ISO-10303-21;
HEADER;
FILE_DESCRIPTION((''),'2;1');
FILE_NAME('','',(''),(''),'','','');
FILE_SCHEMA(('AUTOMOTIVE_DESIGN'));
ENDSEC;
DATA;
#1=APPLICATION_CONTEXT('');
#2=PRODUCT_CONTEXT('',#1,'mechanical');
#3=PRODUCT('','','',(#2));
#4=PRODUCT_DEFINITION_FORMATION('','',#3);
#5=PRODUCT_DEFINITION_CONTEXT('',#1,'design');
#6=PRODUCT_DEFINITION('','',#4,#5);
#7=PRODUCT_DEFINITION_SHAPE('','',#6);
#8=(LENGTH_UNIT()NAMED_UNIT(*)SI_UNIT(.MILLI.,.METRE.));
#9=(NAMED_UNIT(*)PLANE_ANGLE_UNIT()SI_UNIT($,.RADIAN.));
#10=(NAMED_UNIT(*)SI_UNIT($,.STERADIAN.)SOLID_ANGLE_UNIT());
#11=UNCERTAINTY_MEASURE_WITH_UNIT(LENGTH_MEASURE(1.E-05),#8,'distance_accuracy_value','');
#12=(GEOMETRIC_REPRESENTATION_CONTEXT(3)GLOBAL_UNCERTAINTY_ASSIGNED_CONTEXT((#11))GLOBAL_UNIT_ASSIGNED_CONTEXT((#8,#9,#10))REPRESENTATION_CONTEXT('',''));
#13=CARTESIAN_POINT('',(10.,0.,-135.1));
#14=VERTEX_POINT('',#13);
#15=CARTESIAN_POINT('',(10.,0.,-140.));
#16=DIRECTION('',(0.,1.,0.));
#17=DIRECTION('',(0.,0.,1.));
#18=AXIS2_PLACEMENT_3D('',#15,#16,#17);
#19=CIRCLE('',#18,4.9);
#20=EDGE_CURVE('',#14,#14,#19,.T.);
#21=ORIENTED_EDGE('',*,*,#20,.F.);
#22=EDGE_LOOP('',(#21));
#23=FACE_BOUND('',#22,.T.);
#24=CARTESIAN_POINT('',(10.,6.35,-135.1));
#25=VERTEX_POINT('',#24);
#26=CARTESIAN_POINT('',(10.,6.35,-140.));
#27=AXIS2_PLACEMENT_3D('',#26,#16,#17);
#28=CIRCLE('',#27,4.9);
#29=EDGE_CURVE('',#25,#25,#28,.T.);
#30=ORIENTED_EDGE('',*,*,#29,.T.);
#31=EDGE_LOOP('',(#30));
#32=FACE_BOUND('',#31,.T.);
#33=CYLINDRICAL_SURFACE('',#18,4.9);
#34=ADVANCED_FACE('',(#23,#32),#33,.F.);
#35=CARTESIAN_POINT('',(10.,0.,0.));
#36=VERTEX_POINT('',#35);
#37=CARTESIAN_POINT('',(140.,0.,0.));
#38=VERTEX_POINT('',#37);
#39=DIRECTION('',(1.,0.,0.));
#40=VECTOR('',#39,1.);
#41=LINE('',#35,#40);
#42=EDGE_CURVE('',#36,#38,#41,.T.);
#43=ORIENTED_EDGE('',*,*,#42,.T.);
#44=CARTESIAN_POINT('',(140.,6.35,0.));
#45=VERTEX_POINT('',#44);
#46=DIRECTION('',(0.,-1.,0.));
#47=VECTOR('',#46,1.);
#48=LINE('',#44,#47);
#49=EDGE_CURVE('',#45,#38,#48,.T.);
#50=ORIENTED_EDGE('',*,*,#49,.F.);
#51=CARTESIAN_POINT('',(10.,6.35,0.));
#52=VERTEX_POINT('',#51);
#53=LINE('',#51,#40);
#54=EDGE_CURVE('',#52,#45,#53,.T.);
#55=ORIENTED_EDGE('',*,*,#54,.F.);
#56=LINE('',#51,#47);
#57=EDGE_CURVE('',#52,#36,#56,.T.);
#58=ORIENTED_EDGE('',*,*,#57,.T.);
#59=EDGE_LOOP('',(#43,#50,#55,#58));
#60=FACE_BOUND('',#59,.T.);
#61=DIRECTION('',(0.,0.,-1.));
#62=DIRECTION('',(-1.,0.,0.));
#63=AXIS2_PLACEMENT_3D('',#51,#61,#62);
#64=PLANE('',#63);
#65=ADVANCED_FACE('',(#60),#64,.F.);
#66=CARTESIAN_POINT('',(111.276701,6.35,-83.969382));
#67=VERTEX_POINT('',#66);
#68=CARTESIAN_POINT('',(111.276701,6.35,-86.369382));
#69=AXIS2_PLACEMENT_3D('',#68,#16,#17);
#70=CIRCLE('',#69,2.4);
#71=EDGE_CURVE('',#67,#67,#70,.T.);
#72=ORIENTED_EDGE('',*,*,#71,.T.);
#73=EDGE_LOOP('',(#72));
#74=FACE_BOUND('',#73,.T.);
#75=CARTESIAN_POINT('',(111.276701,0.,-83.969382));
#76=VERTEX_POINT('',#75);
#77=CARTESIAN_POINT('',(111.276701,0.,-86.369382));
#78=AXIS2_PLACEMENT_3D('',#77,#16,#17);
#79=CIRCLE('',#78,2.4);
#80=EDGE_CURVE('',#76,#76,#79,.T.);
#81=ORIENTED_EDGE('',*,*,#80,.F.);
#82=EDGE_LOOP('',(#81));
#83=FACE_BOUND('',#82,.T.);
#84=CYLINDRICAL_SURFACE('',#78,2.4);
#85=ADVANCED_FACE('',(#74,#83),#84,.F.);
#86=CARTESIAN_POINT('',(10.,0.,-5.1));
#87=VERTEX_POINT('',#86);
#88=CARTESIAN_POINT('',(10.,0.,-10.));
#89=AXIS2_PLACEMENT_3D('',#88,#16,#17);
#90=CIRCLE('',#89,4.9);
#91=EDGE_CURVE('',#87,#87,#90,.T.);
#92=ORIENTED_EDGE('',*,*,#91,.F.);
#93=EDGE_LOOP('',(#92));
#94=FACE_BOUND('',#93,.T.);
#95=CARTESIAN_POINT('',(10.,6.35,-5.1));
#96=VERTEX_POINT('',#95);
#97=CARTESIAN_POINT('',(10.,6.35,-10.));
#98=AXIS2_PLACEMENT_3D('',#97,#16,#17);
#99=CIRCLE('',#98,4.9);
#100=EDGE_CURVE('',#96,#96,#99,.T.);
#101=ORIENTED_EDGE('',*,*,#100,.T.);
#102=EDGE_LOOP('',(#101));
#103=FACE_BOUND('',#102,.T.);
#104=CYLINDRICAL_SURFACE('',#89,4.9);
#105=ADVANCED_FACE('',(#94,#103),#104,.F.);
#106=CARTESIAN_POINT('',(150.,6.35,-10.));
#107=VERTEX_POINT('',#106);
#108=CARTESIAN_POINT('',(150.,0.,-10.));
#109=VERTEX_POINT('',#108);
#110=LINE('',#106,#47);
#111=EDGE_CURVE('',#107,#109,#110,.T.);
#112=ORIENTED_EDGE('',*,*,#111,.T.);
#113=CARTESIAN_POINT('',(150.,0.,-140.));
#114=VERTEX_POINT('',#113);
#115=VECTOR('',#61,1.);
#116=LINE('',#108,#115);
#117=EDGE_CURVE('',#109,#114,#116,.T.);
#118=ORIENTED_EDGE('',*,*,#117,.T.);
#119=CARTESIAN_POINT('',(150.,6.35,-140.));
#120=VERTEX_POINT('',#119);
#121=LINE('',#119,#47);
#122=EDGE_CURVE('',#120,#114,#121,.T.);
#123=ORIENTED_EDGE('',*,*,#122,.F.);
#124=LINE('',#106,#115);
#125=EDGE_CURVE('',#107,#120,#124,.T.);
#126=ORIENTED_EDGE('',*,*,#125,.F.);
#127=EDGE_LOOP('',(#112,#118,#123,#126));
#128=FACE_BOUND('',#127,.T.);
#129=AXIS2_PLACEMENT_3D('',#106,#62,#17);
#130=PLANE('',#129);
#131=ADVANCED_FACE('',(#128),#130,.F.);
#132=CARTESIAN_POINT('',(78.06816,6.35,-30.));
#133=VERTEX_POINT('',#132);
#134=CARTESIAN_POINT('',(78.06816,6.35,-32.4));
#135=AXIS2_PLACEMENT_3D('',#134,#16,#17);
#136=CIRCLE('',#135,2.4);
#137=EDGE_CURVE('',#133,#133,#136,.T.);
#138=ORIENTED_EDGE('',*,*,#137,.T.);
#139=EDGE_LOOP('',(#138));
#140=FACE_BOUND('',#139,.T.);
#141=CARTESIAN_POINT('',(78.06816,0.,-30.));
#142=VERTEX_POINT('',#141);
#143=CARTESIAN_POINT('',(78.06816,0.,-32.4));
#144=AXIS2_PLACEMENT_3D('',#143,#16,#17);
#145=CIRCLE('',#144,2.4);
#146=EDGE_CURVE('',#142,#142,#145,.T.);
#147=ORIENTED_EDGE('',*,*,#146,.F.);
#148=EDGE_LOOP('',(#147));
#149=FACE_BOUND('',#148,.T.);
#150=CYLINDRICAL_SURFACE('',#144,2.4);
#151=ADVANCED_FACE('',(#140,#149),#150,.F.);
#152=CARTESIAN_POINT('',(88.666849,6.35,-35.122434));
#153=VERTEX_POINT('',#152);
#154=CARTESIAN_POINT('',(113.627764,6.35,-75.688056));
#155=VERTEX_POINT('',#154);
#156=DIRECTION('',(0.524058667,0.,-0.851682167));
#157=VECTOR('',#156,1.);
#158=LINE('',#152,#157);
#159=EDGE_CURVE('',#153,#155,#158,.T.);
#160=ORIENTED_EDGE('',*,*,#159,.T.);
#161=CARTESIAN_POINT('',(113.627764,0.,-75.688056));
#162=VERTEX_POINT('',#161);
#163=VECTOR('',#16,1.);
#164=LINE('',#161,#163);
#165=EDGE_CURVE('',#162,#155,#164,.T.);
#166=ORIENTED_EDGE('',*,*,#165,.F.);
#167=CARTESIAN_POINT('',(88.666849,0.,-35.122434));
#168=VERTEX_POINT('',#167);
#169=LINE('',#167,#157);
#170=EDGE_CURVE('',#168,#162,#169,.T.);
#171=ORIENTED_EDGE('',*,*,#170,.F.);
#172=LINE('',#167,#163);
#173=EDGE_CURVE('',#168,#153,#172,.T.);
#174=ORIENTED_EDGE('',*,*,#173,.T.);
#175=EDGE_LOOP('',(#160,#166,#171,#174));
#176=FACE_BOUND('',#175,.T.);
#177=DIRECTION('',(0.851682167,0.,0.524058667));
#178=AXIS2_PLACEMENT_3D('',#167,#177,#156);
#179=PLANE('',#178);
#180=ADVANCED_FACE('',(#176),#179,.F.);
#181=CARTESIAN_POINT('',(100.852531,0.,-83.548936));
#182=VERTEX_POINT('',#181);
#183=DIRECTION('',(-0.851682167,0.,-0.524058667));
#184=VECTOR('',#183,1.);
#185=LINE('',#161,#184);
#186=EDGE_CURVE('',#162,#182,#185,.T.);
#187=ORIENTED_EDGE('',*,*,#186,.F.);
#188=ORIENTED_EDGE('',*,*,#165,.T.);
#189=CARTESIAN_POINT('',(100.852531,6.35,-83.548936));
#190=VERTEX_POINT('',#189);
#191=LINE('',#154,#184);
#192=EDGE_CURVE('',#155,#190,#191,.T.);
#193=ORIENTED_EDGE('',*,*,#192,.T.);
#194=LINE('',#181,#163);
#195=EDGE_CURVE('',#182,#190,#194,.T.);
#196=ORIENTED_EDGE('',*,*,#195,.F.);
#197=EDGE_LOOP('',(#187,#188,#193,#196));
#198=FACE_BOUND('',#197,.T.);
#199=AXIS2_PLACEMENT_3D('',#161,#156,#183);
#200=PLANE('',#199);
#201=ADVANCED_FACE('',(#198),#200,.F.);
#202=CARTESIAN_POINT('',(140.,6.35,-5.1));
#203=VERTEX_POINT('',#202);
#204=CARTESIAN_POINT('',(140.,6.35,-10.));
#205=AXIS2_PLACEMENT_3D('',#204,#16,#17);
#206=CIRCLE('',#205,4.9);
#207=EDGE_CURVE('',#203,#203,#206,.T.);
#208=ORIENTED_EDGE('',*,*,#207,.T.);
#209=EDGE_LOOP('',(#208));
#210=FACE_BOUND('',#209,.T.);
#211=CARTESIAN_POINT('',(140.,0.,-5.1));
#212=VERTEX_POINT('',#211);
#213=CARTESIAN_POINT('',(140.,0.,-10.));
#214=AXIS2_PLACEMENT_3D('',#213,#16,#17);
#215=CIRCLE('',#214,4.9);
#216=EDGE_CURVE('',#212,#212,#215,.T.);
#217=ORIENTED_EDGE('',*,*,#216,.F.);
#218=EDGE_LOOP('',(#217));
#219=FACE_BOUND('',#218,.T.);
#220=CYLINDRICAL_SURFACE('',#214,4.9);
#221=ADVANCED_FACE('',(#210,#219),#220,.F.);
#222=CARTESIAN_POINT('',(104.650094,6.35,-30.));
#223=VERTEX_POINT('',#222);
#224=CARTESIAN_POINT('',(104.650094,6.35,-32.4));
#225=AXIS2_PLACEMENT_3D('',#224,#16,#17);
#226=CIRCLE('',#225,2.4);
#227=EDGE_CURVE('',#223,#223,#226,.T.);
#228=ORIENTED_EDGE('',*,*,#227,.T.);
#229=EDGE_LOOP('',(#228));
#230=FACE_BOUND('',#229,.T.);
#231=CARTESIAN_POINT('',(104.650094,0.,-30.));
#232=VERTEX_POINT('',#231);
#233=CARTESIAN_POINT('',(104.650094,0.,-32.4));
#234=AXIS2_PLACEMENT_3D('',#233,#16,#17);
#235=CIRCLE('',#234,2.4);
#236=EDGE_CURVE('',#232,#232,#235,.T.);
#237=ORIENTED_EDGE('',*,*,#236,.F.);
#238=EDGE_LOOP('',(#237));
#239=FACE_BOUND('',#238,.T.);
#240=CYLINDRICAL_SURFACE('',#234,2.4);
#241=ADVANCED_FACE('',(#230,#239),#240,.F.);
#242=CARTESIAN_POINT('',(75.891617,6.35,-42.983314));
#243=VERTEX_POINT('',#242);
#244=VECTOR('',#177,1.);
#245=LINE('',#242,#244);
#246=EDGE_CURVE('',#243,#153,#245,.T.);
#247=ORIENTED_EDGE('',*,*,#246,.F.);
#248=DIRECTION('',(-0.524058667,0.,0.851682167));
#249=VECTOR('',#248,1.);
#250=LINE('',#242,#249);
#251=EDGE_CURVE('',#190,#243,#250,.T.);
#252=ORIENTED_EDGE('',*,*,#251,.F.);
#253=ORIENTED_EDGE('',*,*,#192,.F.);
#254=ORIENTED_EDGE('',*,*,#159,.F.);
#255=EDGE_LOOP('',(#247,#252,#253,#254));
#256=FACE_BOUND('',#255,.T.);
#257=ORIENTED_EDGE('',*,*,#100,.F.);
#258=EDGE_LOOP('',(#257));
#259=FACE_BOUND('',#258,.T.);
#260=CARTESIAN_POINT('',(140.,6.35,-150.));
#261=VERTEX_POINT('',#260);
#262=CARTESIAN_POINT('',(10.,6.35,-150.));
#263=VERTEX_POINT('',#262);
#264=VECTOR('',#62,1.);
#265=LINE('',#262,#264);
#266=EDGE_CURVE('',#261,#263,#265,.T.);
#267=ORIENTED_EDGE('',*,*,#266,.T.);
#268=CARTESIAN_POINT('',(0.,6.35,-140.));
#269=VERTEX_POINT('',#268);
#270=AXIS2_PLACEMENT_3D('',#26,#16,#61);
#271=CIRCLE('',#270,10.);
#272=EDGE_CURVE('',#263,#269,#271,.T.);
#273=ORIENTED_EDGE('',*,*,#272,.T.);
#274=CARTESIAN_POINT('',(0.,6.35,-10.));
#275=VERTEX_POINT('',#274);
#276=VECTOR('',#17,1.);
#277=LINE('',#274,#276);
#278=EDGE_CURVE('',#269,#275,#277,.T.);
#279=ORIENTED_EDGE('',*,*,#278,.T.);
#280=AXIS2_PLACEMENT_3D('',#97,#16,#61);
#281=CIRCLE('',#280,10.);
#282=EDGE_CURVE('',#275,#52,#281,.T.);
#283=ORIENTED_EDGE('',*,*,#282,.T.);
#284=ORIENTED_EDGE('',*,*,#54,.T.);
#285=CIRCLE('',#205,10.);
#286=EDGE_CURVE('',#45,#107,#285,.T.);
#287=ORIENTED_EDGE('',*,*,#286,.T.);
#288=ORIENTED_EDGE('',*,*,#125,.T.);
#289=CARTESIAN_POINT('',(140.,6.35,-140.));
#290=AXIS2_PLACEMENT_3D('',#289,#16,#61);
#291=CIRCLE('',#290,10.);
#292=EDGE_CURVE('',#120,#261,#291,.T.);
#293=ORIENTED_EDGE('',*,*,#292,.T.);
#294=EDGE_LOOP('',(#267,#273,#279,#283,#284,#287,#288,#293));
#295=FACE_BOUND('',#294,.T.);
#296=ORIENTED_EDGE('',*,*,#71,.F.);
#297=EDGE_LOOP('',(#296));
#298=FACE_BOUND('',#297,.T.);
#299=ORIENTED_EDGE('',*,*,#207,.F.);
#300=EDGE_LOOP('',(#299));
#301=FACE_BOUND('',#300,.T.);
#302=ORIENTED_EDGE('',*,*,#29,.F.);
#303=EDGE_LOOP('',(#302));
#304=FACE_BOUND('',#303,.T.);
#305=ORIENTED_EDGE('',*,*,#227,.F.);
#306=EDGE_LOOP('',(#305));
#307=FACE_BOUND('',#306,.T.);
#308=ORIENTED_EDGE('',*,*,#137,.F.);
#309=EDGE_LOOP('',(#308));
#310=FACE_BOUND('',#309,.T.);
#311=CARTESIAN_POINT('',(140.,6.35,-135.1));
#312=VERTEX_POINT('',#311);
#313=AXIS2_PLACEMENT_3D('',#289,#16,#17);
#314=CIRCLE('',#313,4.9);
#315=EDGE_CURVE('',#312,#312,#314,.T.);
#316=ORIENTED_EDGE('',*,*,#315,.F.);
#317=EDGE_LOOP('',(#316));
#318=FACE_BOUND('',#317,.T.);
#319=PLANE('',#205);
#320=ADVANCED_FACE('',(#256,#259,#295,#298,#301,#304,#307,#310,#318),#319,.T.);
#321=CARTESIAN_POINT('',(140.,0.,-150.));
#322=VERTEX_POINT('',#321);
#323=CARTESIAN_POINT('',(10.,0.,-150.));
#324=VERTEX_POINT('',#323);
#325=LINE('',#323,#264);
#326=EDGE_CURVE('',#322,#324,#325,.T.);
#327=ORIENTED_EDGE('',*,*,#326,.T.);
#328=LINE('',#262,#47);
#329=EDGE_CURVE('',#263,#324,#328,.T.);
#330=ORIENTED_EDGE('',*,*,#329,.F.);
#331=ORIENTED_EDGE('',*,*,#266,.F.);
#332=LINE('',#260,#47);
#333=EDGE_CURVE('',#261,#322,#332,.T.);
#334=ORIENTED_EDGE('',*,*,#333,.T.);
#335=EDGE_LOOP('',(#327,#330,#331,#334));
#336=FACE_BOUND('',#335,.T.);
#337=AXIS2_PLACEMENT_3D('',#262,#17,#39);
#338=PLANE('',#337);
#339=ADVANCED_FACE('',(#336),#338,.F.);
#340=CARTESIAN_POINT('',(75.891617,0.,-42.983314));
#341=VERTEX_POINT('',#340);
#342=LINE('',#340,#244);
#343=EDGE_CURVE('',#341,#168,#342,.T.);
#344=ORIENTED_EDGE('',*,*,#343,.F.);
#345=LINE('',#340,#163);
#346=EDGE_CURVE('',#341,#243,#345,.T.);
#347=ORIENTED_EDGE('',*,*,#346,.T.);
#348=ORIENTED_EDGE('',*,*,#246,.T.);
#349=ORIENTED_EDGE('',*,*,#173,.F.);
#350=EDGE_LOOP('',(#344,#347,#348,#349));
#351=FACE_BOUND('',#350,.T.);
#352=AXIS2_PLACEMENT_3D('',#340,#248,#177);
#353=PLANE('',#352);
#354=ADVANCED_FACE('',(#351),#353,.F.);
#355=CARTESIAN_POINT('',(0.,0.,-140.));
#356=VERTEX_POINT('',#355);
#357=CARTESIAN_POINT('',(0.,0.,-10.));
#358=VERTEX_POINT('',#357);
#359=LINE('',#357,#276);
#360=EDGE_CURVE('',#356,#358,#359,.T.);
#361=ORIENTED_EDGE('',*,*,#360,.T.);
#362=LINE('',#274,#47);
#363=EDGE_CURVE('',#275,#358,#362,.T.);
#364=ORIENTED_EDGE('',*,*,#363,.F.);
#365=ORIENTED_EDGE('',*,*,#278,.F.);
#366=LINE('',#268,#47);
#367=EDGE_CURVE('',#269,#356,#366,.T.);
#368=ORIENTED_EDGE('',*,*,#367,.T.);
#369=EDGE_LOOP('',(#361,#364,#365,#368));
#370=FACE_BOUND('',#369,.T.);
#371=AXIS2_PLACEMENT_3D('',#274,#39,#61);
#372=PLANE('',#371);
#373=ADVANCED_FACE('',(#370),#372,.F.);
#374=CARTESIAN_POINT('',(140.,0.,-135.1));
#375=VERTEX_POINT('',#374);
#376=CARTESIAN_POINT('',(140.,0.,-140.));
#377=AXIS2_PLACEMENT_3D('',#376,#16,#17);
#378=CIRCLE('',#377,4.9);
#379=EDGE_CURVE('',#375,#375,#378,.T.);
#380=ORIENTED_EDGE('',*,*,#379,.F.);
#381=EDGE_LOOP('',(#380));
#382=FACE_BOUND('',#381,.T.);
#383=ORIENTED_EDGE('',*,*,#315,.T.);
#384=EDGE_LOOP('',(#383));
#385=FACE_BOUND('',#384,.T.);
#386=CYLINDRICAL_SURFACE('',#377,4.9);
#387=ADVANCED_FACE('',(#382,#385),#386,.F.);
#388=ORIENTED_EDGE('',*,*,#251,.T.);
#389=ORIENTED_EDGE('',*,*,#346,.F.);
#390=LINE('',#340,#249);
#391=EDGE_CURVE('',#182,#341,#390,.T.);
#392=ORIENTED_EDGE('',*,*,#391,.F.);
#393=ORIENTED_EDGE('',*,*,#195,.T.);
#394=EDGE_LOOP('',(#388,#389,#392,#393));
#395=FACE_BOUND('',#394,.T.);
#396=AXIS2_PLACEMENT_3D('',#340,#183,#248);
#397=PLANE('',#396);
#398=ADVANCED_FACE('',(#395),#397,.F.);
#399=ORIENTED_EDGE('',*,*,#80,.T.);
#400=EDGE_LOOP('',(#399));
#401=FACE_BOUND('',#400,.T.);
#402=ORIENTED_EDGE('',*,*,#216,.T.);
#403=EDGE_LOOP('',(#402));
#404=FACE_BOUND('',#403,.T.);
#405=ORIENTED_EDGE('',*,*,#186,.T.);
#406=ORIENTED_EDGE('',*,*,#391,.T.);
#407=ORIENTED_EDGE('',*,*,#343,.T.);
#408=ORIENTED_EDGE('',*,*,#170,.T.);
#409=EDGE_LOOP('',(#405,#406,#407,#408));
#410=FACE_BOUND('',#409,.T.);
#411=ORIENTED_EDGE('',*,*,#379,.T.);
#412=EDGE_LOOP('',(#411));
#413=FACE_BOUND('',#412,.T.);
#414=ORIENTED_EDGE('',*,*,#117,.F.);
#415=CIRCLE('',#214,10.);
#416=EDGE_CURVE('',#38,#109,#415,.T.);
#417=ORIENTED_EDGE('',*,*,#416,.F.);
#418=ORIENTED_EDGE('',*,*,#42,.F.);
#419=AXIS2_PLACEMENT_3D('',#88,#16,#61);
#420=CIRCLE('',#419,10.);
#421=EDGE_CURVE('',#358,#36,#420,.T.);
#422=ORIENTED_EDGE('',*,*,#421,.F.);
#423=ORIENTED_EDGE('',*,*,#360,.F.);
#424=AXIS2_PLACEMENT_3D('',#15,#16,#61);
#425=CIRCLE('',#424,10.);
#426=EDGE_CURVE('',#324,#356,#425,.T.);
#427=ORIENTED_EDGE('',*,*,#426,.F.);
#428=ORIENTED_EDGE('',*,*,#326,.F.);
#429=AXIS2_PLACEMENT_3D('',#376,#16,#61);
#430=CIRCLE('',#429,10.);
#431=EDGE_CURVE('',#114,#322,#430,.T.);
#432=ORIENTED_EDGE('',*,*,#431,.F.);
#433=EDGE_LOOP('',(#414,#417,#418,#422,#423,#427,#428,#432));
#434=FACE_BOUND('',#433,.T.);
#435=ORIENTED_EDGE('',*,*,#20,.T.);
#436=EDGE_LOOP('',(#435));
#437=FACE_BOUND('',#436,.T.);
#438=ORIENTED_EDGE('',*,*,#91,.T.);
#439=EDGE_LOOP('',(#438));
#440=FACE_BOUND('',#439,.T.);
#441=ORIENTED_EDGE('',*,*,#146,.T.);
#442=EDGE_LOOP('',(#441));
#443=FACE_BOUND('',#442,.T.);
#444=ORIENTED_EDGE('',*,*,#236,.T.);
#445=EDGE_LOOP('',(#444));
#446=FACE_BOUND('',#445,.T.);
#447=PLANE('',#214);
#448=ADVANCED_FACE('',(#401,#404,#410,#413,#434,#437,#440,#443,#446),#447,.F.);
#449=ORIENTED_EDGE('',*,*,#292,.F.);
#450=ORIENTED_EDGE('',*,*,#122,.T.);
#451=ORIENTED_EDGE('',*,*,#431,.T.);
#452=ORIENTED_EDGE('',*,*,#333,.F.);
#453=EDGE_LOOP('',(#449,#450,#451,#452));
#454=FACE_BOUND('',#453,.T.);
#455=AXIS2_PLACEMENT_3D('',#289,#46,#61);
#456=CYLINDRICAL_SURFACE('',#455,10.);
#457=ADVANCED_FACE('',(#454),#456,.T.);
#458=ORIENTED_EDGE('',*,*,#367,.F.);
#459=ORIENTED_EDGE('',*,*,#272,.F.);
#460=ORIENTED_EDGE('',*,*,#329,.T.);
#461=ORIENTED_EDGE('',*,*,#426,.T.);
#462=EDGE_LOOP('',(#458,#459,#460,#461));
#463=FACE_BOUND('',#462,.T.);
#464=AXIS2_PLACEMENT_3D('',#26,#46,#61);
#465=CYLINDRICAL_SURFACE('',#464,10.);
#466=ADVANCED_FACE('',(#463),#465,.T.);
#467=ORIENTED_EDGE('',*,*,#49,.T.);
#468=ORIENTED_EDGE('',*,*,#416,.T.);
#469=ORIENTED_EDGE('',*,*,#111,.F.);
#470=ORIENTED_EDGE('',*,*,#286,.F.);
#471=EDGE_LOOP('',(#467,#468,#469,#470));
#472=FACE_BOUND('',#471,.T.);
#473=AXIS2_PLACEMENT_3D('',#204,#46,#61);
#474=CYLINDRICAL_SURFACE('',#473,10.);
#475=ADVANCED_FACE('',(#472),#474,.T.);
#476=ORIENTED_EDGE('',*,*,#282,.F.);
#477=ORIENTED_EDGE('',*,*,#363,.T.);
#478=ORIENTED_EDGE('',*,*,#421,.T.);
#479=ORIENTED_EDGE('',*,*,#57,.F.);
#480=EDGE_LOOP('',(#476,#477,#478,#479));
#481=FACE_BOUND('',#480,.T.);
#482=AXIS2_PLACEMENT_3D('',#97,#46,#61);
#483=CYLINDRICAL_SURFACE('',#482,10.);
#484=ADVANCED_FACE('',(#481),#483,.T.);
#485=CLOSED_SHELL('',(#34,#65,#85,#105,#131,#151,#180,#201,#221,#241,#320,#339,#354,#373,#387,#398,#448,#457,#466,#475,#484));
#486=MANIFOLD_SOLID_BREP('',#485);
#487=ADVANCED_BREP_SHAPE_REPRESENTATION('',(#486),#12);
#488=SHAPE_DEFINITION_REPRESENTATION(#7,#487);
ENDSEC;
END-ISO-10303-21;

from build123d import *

# Parameters (mm, degrees)
BOSS_EXTRUDE1_DEPTH = 6.35
SKETCH2_R           = 2.4
SKETCH2_R_2         = 4.9
CUT_EXTRUDE1_DEPTH  = 213.227054119


with BuildPart() as part:
    # Sketch1 → Boss-Extrude1 (new body)
    with BuildSketch(Plane(origin=(0, 0, 0), x_dir=(1, 0, 0), z_dir=(0, 1, 0))):
        with BuildLine():
            Line((10, 0), (140, 0))
            ThreePointArc((140, 0), (147.071067812, 2.928932188), (150, 10))
            Line((150, 10), (150, 140))
            ThreePointArc((150, 140), (147.071067812, 147.071067812), (140, 150))
            Line((140, 150), (10, 150))
            ThreePointArc((10, 150), (2.928932188, 147.071067812), (0, 140))
            Line((0, 140), (0, 10))
            ThreePointArc((0, 10), (2.928932188, 2.928932188), (10, 0))
        make_face()
    extrude(amount=BOSS_EXTRUDE1_DEPTH)

    # Sketch2 → Cut-Extrude1 (cut, through all)
    with BuildSketch(Plane(origin=(0, 6.35, 0), x_dir=(1, 0, 0), z_dir=(0, 1, 0))):
        with Locations(Location((78.068159546, 32.4, 0), (0, 0, 270))):
            Circle(SKETCH2_R)
        with Locations(Location((104.650093785, 32.4, 0), (0, 0, 270))):
            Circle(SKETCH2_R)
        with Locations(Location((111.276700611, 86.369381637, 0), (0, 0, 270))):
            Circle(SKETCH2_R)
        with Locations(Location((10, 140, 0), (0, 0, 270))):
            Circle(SKETCH2_R_2)
        with Locations(Location((10, 10, 0), (0, 0, 270))):
            Circle(SKETCH2_R_2)
        with Locations(Location((140, 140, 0), (0, 0, 270))):
            Circle(SKETCH2_R_2)
        with Locations(Location((140, 10, 0), (0, 0, 270))):
            Circle(SKETCH2_R_2)
        Polygon((75.891616838, 42.983313926), (88.666849341, 35.122433917), (113.627763661, 75.688055524), (100.852531159, 83.548935532), align=None)
    extrude(amount=-CUT_EXTRUDE1_DEPTH, mode=Mode.SUBTRACT)


solid = part.part
